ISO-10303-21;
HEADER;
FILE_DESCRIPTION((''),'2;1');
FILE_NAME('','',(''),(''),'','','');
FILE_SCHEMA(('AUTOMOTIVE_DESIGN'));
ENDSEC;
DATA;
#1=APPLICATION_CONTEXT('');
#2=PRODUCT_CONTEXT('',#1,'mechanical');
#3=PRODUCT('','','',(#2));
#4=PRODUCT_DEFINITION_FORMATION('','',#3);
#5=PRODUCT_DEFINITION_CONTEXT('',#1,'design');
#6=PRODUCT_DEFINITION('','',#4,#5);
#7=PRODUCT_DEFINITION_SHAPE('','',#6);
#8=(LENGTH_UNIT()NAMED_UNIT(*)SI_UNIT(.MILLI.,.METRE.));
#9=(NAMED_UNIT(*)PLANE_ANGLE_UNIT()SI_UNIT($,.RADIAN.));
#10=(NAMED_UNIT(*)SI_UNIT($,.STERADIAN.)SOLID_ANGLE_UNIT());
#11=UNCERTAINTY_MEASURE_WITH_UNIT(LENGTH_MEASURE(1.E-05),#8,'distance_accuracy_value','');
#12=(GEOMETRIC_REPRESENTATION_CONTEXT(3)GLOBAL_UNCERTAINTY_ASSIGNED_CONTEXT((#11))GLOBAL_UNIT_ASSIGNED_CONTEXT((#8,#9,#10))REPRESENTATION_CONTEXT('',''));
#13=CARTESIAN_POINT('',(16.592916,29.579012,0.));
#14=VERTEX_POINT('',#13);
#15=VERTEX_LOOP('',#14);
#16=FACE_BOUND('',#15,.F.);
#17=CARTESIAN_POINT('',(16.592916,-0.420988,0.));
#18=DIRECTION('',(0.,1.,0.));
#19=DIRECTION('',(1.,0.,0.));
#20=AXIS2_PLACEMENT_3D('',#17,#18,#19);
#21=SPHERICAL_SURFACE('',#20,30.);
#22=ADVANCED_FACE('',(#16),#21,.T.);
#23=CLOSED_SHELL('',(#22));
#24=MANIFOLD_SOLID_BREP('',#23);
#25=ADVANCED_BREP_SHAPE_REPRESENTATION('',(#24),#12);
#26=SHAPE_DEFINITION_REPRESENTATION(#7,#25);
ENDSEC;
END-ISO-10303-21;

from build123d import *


with BuildPart() as part:
    # Sketch1 → Revolve1 (revolve)
    with BuildSketch(Plane.XY):
        with BuildLine():
            Line((16.592916275, 29.579011872), (16.592916275, -30.420988128))
            ThreePointArc((16.592916275, -30.420988128), (46.592916275, -0.420988128), (16.592916275, 29.579011872))
        make_face()
    revolve(axis=Axis((16.592916275, 29.579011872, 0), (0, -1, 0)))


solid = part.part
